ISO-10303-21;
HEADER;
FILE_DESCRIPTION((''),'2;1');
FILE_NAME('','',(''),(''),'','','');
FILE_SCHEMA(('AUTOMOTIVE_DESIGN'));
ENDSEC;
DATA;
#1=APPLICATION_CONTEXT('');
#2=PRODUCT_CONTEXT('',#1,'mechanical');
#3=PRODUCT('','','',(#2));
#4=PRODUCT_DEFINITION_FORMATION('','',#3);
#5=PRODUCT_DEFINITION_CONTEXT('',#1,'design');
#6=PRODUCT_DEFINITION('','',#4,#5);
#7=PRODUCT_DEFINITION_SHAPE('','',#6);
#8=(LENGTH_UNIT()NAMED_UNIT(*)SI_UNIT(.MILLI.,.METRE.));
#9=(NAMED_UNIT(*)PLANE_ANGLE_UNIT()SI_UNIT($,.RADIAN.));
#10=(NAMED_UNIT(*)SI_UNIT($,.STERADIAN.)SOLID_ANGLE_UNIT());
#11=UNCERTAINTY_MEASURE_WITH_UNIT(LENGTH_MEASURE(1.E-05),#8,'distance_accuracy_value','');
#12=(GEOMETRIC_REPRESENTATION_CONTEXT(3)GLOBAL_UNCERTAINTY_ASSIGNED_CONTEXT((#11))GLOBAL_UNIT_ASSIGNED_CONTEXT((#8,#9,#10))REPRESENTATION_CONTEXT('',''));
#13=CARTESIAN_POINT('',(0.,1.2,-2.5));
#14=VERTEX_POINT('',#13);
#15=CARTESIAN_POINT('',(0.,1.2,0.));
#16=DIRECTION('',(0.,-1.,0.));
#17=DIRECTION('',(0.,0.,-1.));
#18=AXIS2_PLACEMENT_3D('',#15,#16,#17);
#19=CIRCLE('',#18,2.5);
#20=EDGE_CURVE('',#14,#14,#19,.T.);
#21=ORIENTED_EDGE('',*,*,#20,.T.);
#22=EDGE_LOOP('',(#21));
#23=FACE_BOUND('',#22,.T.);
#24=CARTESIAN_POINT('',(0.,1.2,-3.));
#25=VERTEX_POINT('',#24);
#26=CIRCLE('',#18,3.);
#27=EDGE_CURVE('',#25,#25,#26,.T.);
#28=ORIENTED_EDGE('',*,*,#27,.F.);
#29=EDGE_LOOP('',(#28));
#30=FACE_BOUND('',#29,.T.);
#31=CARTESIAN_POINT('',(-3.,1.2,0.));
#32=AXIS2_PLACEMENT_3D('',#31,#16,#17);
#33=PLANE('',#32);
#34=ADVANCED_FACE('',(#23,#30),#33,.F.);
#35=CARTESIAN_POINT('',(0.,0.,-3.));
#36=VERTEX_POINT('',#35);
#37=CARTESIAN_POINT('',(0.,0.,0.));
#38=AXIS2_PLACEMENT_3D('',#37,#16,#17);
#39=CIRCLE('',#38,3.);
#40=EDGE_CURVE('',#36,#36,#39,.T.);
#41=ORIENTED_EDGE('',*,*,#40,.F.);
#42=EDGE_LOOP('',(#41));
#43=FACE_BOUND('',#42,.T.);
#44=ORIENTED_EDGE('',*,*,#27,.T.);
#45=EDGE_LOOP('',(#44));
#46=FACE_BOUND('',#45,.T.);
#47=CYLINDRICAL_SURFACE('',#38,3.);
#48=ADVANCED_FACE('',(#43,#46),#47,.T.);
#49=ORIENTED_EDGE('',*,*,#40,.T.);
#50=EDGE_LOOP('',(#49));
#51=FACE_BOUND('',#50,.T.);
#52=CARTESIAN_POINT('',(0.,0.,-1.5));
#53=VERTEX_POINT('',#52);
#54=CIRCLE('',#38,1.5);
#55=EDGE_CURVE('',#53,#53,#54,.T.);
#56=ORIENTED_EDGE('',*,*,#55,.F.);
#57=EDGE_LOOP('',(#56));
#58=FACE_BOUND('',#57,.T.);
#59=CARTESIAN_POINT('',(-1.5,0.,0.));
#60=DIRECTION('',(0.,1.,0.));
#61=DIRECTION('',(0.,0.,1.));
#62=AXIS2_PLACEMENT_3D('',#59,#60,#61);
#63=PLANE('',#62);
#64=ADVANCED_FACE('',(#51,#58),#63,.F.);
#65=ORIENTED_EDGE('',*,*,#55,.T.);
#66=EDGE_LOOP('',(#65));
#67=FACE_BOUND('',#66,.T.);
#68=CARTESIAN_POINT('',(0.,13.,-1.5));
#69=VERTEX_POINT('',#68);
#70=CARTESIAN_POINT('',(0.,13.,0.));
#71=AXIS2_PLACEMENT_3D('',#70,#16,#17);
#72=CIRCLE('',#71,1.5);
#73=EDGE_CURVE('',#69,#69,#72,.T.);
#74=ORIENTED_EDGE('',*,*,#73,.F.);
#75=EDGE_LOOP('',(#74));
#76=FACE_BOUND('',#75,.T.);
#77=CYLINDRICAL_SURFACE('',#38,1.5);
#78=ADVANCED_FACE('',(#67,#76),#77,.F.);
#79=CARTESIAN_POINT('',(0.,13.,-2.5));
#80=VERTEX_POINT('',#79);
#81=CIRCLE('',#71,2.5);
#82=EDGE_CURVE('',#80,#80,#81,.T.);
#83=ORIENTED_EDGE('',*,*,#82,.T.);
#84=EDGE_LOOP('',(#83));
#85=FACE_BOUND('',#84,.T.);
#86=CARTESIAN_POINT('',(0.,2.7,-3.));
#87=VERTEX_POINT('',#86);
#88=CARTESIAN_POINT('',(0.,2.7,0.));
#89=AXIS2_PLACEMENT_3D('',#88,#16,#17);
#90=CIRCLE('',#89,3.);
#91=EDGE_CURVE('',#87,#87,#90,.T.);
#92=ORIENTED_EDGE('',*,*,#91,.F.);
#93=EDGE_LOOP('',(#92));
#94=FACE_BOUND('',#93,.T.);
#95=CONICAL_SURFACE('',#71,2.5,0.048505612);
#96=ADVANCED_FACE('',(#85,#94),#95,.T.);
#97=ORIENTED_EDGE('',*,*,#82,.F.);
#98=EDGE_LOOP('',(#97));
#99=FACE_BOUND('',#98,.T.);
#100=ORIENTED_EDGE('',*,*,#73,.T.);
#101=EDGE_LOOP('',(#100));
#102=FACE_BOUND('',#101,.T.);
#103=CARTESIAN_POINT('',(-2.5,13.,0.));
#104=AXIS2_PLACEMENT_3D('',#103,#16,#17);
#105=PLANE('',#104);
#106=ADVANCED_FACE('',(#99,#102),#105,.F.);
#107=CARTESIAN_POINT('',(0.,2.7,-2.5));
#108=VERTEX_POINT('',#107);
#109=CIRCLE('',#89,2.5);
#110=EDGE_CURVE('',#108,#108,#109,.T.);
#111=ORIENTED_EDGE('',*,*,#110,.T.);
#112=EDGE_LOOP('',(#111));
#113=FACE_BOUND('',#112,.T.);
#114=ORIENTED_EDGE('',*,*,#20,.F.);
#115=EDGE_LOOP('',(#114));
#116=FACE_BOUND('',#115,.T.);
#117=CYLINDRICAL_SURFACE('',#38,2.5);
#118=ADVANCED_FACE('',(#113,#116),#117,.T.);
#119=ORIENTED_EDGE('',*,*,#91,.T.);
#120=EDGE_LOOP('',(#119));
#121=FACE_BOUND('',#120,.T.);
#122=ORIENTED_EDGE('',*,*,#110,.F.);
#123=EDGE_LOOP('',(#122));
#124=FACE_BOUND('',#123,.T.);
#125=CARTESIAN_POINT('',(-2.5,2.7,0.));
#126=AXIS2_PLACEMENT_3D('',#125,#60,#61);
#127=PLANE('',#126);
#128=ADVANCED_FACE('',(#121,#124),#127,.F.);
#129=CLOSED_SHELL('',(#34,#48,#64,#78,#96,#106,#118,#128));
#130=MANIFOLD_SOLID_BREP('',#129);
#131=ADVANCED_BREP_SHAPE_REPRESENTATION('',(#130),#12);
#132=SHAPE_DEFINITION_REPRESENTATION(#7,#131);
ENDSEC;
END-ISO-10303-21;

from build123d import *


with BuildPart() as part:
    # Esquisse1 → Révolution1 (revolve)
    with BuildSketch(Plane.XY, mode=Mode.PRIVATE) as r_volution1_sk:
        Polygon((-1.5, 0), (-3, 0), (-3, 1.2), (-2.5, 1.2), (-2.5, 2.7), (-3, 2.7), (-2.5, 13), (-1.5, 13), align=None)
    revolve(r_volution1_sk.sketch.rotate(Axis((0, 0, 0), (0, 1, 0)), 270), axis=Axis((0, 0, 0), (0, 1, 0)))


solid = part.part
